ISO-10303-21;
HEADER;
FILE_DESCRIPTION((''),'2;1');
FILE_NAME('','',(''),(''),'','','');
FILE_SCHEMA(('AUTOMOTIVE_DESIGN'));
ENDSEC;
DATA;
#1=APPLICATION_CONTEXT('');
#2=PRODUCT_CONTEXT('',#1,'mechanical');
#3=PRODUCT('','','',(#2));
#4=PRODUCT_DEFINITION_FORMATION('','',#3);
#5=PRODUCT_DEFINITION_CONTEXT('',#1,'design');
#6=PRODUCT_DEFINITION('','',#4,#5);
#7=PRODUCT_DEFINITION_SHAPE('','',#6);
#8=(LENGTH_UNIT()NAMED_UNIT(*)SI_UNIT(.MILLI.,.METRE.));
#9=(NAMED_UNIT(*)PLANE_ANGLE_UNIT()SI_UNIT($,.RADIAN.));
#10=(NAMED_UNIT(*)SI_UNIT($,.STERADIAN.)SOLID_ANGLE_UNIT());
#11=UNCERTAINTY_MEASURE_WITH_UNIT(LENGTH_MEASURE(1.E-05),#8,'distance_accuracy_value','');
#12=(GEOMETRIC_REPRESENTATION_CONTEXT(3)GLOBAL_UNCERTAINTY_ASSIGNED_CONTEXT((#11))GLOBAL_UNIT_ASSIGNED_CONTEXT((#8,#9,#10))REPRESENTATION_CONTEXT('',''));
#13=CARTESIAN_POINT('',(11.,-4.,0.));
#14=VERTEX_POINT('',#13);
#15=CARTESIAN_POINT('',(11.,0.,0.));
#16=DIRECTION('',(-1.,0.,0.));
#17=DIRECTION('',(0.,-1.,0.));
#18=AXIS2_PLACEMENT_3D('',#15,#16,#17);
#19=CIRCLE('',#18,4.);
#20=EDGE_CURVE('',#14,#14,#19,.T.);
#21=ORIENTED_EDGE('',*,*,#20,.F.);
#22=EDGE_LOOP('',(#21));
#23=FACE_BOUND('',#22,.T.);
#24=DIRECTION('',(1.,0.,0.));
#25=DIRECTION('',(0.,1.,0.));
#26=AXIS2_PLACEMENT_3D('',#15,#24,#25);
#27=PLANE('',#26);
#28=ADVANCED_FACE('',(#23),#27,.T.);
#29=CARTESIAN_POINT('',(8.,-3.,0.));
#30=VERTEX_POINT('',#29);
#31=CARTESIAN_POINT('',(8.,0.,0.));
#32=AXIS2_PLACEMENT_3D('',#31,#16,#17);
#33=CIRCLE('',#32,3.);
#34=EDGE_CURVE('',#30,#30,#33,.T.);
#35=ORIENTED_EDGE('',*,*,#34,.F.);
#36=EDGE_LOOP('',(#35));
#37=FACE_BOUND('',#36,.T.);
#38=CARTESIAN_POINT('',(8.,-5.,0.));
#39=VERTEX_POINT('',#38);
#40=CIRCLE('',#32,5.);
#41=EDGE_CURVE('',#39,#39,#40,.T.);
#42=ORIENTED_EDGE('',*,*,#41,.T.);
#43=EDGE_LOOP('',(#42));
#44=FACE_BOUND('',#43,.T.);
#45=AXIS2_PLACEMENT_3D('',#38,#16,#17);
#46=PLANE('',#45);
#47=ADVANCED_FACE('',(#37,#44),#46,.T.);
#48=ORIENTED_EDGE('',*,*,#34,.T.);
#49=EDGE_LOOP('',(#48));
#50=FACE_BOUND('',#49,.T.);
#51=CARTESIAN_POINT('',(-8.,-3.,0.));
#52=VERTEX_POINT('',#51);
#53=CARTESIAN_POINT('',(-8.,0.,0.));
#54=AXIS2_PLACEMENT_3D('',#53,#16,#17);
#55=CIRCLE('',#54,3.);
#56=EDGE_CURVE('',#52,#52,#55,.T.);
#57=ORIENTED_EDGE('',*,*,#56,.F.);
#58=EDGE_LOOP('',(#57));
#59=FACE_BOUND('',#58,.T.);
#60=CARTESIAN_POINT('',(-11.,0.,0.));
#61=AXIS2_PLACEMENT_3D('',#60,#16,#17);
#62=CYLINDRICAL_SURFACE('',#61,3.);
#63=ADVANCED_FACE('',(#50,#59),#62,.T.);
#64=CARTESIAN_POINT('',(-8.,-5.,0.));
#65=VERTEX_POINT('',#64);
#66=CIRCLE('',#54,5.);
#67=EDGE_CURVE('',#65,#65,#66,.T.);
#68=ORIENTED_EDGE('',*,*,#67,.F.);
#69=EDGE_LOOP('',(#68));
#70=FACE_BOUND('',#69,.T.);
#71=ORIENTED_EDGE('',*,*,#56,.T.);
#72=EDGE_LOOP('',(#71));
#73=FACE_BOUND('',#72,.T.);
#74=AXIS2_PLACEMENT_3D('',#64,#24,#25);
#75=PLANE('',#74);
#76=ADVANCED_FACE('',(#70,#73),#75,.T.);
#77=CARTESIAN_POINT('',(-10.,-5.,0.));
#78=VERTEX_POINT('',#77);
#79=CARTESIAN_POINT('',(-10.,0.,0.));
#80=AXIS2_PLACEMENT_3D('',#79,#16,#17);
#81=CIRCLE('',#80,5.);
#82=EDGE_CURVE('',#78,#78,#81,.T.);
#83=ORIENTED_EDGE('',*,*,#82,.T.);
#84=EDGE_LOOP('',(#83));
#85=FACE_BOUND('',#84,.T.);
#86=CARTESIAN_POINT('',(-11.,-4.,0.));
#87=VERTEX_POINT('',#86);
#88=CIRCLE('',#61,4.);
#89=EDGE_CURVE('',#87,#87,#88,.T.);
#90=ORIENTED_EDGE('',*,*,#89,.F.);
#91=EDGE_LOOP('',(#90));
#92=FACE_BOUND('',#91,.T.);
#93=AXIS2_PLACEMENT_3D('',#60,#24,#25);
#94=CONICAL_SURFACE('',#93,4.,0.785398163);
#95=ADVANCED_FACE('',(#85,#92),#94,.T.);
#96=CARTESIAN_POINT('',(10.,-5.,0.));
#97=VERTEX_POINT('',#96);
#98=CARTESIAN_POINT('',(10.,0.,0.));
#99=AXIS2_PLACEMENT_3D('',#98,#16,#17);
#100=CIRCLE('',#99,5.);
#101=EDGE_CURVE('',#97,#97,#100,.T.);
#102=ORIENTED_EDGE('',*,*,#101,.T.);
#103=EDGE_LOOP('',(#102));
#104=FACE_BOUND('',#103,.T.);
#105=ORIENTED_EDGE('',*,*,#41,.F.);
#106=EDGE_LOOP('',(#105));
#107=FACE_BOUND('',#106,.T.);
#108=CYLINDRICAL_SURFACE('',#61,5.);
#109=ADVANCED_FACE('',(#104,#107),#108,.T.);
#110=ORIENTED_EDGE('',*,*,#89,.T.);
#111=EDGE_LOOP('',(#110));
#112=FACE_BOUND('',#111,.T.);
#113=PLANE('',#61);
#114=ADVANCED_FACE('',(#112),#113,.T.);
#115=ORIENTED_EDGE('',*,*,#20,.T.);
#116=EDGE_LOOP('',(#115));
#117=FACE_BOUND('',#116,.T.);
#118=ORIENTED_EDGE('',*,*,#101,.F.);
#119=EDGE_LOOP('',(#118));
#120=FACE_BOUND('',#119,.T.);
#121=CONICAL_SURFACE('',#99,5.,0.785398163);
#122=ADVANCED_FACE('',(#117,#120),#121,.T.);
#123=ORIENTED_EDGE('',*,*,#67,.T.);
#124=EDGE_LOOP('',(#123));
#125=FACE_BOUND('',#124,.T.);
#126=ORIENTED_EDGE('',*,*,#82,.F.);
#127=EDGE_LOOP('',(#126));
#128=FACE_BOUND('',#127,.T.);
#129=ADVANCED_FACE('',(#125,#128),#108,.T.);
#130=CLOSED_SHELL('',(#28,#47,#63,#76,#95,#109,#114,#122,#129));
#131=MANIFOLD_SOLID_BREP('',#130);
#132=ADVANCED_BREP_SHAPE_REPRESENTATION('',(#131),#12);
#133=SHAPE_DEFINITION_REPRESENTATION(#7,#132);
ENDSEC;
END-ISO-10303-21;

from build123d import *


with BuildPart() as part:
    # Esquisse1 → Révolution1 (revolve)
    with BuildSketch(Plane.XY):
        Polygon((-11, 0), (11, 0), (11, -4), (10, -5), (8, -5), (8, -3), (-8, -3), (-8, -5), (-10, -5), (-11, -4), align=None)
    revolve(axis=Axis((-11, 0, 0), (1, 0, 0)))


solid = part.part
